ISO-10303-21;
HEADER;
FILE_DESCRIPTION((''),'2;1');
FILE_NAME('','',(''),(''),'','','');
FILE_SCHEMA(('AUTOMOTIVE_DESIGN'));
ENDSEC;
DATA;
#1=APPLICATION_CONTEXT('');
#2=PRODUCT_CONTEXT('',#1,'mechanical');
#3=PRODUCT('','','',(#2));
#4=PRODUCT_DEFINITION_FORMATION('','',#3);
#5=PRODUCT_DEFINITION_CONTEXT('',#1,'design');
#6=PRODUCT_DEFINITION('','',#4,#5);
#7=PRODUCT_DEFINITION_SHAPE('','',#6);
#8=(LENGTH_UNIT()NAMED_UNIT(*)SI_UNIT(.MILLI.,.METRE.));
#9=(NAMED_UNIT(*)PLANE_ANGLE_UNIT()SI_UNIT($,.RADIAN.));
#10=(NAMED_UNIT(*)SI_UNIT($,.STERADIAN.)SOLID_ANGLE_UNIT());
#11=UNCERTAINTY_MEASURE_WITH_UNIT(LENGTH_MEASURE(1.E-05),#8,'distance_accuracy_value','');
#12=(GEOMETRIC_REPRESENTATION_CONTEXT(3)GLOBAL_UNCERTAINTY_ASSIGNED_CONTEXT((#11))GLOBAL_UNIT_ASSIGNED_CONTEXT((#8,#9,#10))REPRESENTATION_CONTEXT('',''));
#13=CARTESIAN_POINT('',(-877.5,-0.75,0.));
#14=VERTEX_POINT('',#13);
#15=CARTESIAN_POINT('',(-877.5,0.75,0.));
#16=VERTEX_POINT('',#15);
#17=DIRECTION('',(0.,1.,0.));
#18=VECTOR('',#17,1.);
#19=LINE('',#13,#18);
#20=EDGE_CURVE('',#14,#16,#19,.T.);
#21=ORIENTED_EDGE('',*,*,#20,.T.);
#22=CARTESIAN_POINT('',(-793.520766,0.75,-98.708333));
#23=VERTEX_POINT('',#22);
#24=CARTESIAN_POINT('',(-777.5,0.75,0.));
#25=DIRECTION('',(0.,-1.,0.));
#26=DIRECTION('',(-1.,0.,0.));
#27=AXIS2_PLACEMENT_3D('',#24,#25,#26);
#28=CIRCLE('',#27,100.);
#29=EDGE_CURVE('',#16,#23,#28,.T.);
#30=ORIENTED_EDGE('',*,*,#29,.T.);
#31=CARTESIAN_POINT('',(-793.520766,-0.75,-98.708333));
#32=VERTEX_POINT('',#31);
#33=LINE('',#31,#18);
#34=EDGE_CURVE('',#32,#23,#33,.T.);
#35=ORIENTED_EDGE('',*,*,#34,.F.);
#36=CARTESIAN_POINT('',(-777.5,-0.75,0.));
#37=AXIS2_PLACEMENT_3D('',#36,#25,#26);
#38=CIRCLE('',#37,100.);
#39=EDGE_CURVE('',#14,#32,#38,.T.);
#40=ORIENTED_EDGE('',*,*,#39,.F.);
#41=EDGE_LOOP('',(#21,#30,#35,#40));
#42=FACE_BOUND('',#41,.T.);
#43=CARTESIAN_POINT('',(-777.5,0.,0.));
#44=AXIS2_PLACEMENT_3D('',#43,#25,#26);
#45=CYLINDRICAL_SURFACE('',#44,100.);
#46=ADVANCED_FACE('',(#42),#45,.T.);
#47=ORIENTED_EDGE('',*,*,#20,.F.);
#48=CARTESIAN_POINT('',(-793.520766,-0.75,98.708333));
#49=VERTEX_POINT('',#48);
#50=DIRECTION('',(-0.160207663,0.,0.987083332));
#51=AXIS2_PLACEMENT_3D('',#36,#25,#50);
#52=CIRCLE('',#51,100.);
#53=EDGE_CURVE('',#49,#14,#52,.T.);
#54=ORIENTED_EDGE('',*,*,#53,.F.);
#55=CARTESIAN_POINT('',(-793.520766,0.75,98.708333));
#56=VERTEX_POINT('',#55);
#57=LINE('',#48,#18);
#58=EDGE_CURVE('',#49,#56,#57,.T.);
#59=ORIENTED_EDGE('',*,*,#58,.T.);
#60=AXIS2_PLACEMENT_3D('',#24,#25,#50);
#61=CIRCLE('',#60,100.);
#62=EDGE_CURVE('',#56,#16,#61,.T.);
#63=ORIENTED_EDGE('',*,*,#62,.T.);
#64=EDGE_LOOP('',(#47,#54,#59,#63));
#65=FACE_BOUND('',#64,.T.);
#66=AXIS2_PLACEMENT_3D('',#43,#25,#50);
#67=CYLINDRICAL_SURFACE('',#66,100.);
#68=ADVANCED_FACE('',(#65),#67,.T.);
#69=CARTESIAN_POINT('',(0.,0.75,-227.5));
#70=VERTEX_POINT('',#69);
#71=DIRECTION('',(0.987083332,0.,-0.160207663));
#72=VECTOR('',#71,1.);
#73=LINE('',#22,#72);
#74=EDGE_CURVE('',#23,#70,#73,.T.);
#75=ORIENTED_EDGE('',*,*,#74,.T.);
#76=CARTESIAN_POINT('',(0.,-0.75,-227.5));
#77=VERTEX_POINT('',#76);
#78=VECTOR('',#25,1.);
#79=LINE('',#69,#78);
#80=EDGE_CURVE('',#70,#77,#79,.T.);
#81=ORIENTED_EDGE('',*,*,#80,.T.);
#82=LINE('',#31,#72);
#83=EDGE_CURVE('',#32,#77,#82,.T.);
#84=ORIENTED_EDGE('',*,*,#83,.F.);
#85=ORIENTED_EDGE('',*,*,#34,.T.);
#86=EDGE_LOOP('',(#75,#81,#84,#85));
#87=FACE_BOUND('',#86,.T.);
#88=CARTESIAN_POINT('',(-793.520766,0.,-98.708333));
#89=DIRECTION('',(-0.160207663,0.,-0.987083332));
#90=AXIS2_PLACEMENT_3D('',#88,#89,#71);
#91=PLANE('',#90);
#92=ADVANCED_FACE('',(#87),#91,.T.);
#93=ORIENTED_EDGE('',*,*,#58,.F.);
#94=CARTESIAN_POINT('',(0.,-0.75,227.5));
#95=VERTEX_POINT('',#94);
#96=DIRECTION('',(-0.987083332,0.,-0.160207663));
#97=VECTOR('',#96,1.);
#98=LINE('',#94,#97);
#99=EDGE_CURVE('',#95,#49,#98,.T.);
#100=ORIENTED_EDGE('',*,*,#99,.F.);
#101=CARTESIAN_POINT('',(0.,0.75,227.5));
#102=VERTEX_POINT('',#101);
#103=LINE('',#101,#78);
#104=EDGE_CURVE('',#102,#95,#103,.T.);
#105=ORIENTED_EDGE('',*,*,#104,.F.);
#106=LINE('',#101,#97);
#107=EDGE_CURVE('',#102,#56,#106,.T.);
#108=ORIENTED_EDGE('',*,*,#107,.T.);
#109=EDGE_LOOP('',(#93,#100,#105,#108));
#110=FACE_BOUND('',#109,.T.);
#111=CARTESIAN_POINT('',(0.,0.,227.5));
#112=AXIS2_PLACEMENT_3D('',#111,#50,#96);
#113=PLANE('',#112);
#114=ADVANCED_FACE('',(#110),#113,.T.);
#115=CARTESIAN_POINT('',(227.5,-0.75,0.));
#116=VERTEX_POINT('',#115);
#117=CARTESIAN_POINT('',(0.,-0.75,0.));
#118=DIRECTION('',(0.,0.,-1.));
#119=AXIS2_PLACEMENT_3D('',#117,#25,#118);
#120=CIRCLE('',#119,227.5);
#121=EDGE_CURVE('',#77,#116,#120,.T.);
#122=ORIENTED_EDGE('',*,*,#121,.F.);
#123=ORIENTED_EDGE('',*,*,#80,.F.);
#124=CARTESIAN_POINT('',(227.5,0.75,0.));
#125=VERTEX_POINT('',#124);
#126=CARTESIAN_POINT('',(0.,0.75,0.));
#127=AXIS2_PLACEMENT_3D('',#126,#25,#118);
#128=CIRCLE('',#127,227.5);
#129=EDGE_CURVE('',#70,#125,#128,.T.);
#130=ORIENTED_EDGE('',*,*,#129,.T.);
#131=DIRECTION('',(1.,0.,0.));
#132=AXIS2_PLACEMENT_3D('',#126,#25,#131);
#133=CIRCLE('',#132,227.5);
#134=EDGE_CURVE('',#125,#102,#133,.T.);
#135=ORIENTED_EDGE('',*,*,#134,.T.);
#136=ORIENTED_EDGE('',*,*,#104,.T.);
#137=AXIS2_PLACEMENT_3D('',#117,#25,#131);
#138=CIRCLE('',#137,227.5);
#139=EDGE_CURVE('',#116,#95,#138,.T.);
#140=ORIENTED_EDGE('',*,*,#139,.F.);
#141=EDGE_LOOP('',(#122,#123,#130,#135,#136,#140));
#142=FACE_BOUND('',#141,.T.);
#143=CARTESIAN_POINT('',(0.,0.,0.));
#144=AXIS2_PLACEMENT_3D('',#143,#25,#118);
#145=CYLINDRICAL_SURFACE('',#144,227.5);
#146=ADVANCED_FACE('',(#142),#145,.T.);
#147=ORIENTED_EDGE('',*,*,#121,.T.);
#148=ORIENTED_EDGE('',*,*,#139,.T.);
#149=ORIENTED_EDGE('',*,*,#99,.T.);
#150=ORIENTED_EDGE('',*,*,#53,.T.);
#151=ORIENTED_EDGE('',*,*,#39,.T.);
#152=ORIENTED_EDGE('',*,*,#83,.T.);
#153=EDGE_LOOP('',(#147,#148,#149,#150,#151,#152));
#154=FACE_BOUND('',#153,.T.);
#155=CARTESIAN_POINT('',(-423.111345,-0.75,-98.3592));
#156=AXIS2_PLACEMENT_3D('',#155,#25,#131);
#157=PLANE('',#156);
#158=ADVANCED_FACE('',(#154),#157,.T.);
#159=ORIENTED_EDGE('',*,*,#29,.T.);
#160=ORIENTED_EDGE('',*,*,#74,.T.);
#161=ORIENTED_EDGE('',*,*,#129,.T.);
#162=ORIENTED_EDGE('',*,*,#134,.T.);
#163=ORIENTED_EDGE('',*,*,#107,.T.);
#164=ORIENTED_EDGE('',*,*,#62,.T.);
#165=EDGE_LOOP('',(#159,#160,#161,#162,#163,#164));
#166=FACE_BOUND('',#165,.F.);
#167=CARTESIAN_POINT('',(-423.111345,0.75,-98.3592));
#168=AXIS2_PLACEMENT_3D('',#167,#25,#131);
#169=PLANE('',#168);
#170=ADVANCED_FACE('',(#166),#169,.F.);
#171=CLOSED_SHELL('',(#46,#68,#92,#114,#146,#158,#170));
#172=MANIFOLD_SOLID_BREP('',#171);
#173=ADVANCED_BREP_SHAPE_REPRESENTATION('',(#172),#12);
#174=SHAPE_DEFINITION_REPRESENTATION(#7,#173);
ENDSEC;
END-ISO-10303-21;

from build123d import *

# Parameters (mm, degrees)
F1_DEPTH = 0.75


with BuildPart() as f1:
    # F0 (on Front) → F1 (new body, symmetric)
    with BuildSketch(Plane.XZ):
        with BuildLine():
            Line((-793.5207663115, -98.7083332186), (-71.9529328471, -215.821744629))
            ThreePointArc((-71.9529328471, -215.821744629), (-184.5610227306, -133.0168368615), (-227.5, 0))
            Line((-227.5, 0), (-677.5, 0))
            ThreePointArc((-677.5, 0), (-712.7006042897, -76.1645476293), (-793.5207663115, -98.7083332186))
        make_face()
        with BuildLine():
            ThreePointArc((0, -227.5), (160.8667927199, -160.8667927199), (227.5, 0))
            ThreePointArc((227.5, 0), (160.8667927199, 160.8667927199), (0, 227.5))
            Line((0, 227.5), (-71.9529328471, 215.821744629))
            ThreePointArc((-71.9529328471, 215.821744629), (-184.5610227306, 133.0168368615), (-227.5, 0))
            ThreePointArc((-227.5, 0), (-184.5610227306, -133.0168368615), (-71.9529328471, -215.821744629))
            Line((-71.9529328471, -215.821744629), (0, -227.5))
        make_face()
        with BuildLine():
            ThreePointArc((-227.5, 0), (-184.5610227306, 133.0168368615), (-71.9529328471, 215.821744629))
            Line((-71.9529328471, 215.821744629), (-793.5207663115, 98.7083332186))
            ThreePointArc((-793.5207663115, 98.7083332186), (-712.7006042897, 76.1645476293), (-677.5, 0))
            Line((-677.5, 0), (-227.5, 0))
        make_face()
        with BuildLine():
            ThreePointArc((-877.5, 0), (-853.6645476293, -64.7993957103), (-793.5207663115, -98.7083332186))
            ThreePointArc((-793.5207663115, -98.7083332186), (-712.7006042897, -76.1645476293), (-677.5, 0))
            Line((-677.5, 0), (-877.5, 0))
        make_face()
        with BuildLine():
            ThreePointArc((-677.5, 0), (-712.7006042897, 76.1645476293), (-793.5207663115, 98.7083332186))
            ThreePointArc((-793.5207663115, 98.7083332186), (-853.6645476293, 64.7993957103), (-877.5, 0))
            Line((-877.5, 0), (-677.5, 0))
        make_face()
    extrude(amount=F1_DEPTH, both=True)


solid = f1.part
